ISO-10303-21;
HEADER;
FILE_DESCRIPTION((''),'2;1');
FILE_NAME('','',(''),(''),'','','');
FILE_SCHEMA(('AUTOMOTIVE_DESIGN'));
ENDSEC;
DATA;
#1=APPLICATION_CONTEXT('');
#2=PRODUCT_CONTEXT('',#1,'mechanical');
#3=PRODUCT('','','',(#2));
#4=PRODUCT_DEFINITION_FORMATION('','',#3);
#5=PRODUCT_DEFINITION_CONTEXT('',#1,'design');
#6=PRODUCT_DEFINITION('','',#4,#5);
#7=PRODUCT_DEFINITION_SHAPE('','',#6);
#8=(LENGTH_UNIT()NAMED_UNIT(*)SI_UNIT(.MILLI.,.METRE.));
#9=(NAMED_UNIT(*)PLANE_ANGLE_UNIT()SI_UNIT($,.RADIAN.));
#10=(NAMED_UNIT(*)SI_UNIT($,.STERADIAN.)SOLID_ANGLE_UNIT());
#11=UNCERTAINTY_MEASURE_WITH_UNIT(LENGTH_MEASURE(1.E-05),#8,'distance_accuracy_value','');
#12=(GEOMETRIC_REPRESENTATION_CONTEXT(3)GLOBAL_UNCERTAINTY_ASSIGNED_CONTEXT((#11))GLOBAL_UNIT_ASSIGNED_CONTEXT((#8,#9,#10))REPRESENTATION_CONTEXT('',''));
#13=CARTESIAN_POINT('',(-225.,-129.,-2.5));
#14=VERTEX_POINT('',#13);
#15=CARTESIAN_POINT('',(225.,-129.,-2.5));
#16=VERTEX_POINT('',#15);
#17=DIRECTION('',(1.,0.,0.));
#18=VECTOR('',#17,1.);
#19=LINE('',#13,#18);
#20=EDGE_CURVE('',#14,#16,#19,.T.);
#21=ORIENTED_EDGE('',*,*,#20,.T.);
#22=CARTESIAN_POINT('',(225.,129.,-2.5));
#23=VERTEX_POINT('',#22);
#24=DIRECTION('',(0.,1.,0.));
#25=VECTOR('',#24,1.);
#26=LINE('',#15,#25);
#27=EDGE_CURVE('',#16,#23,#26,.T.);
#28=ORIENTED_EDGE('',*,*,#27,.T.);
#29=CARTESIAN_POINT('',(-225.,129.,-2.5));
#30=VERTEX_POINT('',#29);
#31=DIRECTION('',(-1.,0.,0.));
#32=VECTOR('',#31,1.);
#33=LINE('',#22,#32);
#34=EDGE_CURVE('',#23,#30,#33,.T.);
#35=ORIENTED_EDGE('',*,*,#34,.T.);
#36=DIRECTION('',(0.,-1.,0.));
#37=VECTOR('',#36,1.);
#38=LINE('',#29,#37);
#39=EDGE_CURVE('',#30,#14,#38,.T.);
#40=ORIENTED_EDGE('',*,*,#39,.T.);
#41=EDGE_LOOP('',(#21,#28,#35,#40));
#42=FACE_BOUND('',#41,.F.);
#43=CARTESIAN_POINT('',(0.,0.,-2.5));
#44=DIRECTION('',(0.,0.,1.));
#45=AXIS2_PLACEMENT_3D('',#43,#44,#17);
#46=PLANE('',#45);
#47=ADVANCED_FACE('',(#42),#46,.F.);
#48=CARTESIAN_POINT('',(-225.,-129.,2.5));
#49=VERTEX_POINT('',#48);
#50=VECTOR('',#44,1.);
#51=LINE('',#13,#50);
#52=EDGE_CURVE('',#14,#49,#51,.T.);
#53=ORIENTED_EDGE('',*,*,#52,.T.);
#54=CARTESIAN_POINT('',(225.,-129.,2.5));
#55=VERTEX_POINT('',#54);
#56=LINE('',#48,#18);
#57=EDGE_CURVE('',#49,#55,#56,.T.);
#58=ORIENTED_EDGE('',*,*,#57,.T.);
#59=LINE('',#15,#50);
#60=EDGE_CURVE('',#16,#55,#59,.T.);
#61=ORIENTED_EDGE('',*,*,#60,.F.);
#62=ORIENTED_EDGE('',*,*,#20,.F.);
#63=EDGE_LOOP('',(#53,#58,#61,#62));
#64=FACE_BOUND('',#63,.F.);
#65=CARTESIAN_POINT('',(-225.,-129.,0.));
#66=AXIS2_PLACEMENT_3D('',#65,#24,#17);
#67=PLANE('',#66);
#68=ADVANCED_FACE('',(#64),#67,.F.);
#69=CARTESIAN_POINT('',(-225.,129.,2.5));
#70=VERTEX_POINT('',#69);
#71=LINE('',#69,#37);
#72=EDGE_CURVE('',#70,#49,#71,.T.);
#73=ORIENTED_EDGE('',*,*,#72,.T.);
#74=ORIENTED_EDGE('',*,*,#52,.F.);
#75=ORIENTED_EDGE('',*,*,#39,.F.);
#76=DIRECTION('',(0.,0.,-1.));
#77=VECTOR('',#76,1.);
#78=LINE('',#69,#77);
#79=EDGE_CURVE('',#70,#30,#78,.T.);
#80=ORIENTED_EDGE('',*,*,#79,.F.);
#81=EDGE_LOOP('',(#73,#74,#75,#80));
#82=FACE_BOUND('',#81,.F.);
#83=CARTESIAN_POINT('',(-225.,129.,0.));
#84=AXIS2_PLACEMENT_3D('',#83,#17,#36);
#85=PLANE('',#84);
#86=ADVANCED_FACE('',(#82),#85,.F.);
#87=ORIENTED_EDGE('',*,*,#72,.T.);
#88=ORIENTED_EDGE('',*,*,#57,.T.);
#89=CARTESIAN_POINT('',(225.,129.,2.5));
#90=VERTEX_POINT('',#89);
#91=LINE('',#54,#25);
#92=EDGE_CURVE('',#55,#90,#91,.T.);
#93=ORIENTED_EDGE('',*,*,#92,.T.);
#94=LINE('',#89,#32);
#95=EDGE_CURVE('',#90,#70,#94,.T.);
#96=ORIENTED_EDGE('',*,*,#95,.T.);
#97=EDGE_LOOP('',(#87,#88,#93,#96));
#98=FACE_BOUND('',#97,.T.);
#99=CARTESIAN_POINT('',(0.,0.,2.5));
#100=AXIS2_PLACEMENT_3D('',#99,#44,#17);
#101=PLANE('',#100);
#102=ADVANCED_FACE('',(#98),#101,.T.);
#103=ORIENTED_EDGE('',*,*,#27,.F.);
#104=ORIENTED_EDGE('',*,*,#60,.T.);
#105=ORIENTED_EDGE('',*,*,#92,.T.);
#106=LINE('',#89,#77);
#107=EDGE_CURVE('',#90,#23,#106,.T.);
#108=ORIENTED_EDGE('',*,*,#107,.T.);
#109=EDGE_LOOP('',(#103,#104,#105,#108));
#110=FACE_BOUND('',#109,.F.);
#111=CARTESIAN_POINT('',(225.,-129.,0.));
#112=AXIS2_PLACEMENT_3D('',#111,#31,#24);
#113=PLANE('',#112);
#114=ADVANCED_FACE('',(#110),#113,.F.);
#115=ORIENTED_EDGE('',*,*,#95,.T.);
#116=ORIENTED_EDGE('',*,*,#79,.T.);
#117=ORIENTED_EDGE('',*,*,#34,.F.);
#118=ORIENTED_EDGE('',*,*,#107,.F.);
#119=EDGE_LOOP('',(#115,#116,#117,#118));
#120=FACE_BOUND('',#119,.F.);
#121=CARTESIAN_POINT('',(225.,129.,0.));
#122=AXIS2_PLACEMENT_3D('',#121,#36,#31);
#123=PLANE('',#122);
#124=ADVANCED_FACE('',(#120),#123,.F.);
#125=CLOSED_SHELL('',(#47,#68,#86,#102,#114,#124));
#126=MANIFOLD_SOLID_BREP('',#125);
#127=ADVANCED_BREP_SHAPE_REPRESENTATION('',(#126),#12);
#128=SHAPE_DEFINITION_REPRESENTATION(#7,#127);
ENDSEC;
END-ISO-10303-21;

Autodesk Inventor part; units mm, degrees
ref_plane "YZ Plane" through (0, 0, 0) normal (1, 0, 0) x (0, 1, 0)
ref_plane "XZ Plane" through (0, 0, 0) normal (0, 1, 0) x (-1, 0, 0)
ref_plane "XY Plane" through (0, 0, 0) normal (0, 0, 1) x (1, 0, 0)
sketch "Sketch1" plane through (0, 0, 0) normal (0, 0, 1) x (1, 0, 0)
  line L0 (-225, -129) -> (225, -129)
  line L1 (225, -129) -> (225, 129)
  line L2 (225, 129) -> (-225, 129)
  line L3 (-225, 129) -> (-225, -129)
  line L4 (-225, -129) -> (225, 129) construction
  line L5 (225, -129) -> (-225, 129) construction
  point P0 (0, 0)
  dimension "d0" = 450
  dimension "d1" = 258
extrude "Extrusion1" add sketch "Sketch1" along normal mid plane 5
sketch "Sketch2" plane through (0, 0, 2.5) normal (0, 0, 1) x (1, 0, 0)
  circle A0 centre (-105.5, -99.5) radius 19.5 construction
  line L0 (-225, -129) -> (225, -129) construction
  line L1 (-225, 129) -> (-225, -129) construction
  circle A1 centre (-23.5, -99.5) radius 19.5 construction
  circle A2 centre (76.5, -99.5) radius 12.5 construction
  circle A3 centre (151.5, -99.5) radius 12.5 construction
  circle A4 centre (-191, 15) radius 24 construction
  circle A5 centre (-129, 15) radius 18 construction
  circle A6 centre (-78.5, 15) radius 12.5 construction
  circle A7 centre (-33.5, 15) radius 12.5 construction
  circle A8 centre (-191, 15) radius 16
  circle A9 centre (-129, 15) radius 12.5
  circle A10 centre (-78.5, 15) radius 8
  circle A11 centre (-33.5, 15) radius 8
  circle A12 centre (-105.5, -99.5) radius 14
  circle A13 centre (-23.5, -99.5) radius 14
  circle A14 centre (76.5, -99.5) radius 8
  circle A15 centre (151.5, -99.5) radius 8
  point P0 (0, 0)
  dimension "d4" = 39
  dimension "d5" = 29.5
  dimension "d6" = 119.5
  dimension "d7" = 39
  dimension "d8" = 25
  dimension "d9" = 25
  dimension "d10" = 48
  dimension "d11" = 36
  dimension "d12" = 25
  dimension "d13" = 25
  dimension "d14" = 29.5
  dimension "d15" = 29.5
  dimension "d16" = 29.5
  dimension "d17" = 144
  dimension "d18" = 144
  dimension "d19" = 144
  dimension "d20" = 144
  dimension "d21" = 82
  dimension "d22" = 100
  dimension "d23" = 75
  dimension "d24" = 34
  dimension "d25" = 62
  dimension "d26" = 50.5
  dimension "d27" = 45
  dimension "d28" = 32
  dimension "d29" = 25
  dimension "d30" = 16
  dimension "d31" = 16
  dimension "d32" = 28
  dimension "d33" = 28
  dimension "d34" = 16
  dimension "d35" = 16
equation "\"d0\" = boxw"
equation "\"d1\" = boxh"
equation "\"d2\" = pvct"
equation "\"d4\" = waterouter"
equation "\"d6\" = 0.5 * waterouter + distsidewater"
equation "\"d7\" = airoutouter"
equation "\"d8\" = pumpouter"
equation "\"d9\" = pumpouter"
equation "\"d10\" = diaphouter"
equation "\"d11\" = diaetapeouter"
equation "\"d12\" = dialoadouter"
equation "\"d13\" = dialoadouter"
equation "\"d21\" = distbubblewater"
equation "\"d22\" = distpumpbubble"
equation "\"d23\" = distpumps"
equation "\"d28\" = diaph"
equation "\"d29\" = diaetape"
equation "\"d30\" = pumpinner"
equation "\"d31\" = pumpinner"
equation "\"d32\" = waterinner"
equation "\"d33\" = airoutinner"
equation "\"d34\" = pumpinner"
equation "\"d35\" = pumpinner"
equation "\"solhole\" = 3"
equation "\"solholespacing\" = 16"
equation "\"ssolw\" = 63"
equation "\"bsoll\" = 126"
equation "\"bsolw\" = 91"
equation "\"bsolh\" = 126"
equation "\"tapl\" = 31"
equation "\"tl\" = 32"
equation "\"eloboww\" = 25"
equation "\"pvct\" = 5"
equation "\"boxw\" = 450"
equation "\"boxh\" = 258"
equation "\"supporth\" = 15"
equation "\"play\" = 0.5"
equation "\"pcbw\" = 76"
equation "\"arw\" = 54"
equation "\"pcbl\" = 86"
equation "\"arl\" = 102"
equation "\"psuh\" = 85"
equation "\"pcbh\" = 46"
equation "\"screenl\" = 115"
equation "\"screenw\" = 197"
equation "\"seph\" = 105"
equation "\"diapowerouter\" = 25"
equation "\"dialoadouter\" = 25"
equation "\"diaetapeouter\" = 36"
equation "\"diaphouter\" = 48"
equation "\"diaload\" = 16"
equation "\"diaetape\" = 25"
equation "\"diaph\" = 32"
equation "\"distbubblewater\" = 82"
equation "\"diapower\" = 16"
equation "\"distpumpbubble\" = 100"
equation "\"waterinner\" = 28"
equation "\"distpumps\" = 75"
equation "\"airoutouter\" = 39"
equation "\"airoutinner\" = 28"
equation "\"pumpouter\" = 25"
equation "\"waterouter\" = 39"
equation "\"pumpinner\" = 16"
equation "\"airinouter\" = 39"
equation "\"airininner\" = 28"
equation "\"distsidewater\" = 100"
properties part number "sb_front_back" material "PVC-Piping"
